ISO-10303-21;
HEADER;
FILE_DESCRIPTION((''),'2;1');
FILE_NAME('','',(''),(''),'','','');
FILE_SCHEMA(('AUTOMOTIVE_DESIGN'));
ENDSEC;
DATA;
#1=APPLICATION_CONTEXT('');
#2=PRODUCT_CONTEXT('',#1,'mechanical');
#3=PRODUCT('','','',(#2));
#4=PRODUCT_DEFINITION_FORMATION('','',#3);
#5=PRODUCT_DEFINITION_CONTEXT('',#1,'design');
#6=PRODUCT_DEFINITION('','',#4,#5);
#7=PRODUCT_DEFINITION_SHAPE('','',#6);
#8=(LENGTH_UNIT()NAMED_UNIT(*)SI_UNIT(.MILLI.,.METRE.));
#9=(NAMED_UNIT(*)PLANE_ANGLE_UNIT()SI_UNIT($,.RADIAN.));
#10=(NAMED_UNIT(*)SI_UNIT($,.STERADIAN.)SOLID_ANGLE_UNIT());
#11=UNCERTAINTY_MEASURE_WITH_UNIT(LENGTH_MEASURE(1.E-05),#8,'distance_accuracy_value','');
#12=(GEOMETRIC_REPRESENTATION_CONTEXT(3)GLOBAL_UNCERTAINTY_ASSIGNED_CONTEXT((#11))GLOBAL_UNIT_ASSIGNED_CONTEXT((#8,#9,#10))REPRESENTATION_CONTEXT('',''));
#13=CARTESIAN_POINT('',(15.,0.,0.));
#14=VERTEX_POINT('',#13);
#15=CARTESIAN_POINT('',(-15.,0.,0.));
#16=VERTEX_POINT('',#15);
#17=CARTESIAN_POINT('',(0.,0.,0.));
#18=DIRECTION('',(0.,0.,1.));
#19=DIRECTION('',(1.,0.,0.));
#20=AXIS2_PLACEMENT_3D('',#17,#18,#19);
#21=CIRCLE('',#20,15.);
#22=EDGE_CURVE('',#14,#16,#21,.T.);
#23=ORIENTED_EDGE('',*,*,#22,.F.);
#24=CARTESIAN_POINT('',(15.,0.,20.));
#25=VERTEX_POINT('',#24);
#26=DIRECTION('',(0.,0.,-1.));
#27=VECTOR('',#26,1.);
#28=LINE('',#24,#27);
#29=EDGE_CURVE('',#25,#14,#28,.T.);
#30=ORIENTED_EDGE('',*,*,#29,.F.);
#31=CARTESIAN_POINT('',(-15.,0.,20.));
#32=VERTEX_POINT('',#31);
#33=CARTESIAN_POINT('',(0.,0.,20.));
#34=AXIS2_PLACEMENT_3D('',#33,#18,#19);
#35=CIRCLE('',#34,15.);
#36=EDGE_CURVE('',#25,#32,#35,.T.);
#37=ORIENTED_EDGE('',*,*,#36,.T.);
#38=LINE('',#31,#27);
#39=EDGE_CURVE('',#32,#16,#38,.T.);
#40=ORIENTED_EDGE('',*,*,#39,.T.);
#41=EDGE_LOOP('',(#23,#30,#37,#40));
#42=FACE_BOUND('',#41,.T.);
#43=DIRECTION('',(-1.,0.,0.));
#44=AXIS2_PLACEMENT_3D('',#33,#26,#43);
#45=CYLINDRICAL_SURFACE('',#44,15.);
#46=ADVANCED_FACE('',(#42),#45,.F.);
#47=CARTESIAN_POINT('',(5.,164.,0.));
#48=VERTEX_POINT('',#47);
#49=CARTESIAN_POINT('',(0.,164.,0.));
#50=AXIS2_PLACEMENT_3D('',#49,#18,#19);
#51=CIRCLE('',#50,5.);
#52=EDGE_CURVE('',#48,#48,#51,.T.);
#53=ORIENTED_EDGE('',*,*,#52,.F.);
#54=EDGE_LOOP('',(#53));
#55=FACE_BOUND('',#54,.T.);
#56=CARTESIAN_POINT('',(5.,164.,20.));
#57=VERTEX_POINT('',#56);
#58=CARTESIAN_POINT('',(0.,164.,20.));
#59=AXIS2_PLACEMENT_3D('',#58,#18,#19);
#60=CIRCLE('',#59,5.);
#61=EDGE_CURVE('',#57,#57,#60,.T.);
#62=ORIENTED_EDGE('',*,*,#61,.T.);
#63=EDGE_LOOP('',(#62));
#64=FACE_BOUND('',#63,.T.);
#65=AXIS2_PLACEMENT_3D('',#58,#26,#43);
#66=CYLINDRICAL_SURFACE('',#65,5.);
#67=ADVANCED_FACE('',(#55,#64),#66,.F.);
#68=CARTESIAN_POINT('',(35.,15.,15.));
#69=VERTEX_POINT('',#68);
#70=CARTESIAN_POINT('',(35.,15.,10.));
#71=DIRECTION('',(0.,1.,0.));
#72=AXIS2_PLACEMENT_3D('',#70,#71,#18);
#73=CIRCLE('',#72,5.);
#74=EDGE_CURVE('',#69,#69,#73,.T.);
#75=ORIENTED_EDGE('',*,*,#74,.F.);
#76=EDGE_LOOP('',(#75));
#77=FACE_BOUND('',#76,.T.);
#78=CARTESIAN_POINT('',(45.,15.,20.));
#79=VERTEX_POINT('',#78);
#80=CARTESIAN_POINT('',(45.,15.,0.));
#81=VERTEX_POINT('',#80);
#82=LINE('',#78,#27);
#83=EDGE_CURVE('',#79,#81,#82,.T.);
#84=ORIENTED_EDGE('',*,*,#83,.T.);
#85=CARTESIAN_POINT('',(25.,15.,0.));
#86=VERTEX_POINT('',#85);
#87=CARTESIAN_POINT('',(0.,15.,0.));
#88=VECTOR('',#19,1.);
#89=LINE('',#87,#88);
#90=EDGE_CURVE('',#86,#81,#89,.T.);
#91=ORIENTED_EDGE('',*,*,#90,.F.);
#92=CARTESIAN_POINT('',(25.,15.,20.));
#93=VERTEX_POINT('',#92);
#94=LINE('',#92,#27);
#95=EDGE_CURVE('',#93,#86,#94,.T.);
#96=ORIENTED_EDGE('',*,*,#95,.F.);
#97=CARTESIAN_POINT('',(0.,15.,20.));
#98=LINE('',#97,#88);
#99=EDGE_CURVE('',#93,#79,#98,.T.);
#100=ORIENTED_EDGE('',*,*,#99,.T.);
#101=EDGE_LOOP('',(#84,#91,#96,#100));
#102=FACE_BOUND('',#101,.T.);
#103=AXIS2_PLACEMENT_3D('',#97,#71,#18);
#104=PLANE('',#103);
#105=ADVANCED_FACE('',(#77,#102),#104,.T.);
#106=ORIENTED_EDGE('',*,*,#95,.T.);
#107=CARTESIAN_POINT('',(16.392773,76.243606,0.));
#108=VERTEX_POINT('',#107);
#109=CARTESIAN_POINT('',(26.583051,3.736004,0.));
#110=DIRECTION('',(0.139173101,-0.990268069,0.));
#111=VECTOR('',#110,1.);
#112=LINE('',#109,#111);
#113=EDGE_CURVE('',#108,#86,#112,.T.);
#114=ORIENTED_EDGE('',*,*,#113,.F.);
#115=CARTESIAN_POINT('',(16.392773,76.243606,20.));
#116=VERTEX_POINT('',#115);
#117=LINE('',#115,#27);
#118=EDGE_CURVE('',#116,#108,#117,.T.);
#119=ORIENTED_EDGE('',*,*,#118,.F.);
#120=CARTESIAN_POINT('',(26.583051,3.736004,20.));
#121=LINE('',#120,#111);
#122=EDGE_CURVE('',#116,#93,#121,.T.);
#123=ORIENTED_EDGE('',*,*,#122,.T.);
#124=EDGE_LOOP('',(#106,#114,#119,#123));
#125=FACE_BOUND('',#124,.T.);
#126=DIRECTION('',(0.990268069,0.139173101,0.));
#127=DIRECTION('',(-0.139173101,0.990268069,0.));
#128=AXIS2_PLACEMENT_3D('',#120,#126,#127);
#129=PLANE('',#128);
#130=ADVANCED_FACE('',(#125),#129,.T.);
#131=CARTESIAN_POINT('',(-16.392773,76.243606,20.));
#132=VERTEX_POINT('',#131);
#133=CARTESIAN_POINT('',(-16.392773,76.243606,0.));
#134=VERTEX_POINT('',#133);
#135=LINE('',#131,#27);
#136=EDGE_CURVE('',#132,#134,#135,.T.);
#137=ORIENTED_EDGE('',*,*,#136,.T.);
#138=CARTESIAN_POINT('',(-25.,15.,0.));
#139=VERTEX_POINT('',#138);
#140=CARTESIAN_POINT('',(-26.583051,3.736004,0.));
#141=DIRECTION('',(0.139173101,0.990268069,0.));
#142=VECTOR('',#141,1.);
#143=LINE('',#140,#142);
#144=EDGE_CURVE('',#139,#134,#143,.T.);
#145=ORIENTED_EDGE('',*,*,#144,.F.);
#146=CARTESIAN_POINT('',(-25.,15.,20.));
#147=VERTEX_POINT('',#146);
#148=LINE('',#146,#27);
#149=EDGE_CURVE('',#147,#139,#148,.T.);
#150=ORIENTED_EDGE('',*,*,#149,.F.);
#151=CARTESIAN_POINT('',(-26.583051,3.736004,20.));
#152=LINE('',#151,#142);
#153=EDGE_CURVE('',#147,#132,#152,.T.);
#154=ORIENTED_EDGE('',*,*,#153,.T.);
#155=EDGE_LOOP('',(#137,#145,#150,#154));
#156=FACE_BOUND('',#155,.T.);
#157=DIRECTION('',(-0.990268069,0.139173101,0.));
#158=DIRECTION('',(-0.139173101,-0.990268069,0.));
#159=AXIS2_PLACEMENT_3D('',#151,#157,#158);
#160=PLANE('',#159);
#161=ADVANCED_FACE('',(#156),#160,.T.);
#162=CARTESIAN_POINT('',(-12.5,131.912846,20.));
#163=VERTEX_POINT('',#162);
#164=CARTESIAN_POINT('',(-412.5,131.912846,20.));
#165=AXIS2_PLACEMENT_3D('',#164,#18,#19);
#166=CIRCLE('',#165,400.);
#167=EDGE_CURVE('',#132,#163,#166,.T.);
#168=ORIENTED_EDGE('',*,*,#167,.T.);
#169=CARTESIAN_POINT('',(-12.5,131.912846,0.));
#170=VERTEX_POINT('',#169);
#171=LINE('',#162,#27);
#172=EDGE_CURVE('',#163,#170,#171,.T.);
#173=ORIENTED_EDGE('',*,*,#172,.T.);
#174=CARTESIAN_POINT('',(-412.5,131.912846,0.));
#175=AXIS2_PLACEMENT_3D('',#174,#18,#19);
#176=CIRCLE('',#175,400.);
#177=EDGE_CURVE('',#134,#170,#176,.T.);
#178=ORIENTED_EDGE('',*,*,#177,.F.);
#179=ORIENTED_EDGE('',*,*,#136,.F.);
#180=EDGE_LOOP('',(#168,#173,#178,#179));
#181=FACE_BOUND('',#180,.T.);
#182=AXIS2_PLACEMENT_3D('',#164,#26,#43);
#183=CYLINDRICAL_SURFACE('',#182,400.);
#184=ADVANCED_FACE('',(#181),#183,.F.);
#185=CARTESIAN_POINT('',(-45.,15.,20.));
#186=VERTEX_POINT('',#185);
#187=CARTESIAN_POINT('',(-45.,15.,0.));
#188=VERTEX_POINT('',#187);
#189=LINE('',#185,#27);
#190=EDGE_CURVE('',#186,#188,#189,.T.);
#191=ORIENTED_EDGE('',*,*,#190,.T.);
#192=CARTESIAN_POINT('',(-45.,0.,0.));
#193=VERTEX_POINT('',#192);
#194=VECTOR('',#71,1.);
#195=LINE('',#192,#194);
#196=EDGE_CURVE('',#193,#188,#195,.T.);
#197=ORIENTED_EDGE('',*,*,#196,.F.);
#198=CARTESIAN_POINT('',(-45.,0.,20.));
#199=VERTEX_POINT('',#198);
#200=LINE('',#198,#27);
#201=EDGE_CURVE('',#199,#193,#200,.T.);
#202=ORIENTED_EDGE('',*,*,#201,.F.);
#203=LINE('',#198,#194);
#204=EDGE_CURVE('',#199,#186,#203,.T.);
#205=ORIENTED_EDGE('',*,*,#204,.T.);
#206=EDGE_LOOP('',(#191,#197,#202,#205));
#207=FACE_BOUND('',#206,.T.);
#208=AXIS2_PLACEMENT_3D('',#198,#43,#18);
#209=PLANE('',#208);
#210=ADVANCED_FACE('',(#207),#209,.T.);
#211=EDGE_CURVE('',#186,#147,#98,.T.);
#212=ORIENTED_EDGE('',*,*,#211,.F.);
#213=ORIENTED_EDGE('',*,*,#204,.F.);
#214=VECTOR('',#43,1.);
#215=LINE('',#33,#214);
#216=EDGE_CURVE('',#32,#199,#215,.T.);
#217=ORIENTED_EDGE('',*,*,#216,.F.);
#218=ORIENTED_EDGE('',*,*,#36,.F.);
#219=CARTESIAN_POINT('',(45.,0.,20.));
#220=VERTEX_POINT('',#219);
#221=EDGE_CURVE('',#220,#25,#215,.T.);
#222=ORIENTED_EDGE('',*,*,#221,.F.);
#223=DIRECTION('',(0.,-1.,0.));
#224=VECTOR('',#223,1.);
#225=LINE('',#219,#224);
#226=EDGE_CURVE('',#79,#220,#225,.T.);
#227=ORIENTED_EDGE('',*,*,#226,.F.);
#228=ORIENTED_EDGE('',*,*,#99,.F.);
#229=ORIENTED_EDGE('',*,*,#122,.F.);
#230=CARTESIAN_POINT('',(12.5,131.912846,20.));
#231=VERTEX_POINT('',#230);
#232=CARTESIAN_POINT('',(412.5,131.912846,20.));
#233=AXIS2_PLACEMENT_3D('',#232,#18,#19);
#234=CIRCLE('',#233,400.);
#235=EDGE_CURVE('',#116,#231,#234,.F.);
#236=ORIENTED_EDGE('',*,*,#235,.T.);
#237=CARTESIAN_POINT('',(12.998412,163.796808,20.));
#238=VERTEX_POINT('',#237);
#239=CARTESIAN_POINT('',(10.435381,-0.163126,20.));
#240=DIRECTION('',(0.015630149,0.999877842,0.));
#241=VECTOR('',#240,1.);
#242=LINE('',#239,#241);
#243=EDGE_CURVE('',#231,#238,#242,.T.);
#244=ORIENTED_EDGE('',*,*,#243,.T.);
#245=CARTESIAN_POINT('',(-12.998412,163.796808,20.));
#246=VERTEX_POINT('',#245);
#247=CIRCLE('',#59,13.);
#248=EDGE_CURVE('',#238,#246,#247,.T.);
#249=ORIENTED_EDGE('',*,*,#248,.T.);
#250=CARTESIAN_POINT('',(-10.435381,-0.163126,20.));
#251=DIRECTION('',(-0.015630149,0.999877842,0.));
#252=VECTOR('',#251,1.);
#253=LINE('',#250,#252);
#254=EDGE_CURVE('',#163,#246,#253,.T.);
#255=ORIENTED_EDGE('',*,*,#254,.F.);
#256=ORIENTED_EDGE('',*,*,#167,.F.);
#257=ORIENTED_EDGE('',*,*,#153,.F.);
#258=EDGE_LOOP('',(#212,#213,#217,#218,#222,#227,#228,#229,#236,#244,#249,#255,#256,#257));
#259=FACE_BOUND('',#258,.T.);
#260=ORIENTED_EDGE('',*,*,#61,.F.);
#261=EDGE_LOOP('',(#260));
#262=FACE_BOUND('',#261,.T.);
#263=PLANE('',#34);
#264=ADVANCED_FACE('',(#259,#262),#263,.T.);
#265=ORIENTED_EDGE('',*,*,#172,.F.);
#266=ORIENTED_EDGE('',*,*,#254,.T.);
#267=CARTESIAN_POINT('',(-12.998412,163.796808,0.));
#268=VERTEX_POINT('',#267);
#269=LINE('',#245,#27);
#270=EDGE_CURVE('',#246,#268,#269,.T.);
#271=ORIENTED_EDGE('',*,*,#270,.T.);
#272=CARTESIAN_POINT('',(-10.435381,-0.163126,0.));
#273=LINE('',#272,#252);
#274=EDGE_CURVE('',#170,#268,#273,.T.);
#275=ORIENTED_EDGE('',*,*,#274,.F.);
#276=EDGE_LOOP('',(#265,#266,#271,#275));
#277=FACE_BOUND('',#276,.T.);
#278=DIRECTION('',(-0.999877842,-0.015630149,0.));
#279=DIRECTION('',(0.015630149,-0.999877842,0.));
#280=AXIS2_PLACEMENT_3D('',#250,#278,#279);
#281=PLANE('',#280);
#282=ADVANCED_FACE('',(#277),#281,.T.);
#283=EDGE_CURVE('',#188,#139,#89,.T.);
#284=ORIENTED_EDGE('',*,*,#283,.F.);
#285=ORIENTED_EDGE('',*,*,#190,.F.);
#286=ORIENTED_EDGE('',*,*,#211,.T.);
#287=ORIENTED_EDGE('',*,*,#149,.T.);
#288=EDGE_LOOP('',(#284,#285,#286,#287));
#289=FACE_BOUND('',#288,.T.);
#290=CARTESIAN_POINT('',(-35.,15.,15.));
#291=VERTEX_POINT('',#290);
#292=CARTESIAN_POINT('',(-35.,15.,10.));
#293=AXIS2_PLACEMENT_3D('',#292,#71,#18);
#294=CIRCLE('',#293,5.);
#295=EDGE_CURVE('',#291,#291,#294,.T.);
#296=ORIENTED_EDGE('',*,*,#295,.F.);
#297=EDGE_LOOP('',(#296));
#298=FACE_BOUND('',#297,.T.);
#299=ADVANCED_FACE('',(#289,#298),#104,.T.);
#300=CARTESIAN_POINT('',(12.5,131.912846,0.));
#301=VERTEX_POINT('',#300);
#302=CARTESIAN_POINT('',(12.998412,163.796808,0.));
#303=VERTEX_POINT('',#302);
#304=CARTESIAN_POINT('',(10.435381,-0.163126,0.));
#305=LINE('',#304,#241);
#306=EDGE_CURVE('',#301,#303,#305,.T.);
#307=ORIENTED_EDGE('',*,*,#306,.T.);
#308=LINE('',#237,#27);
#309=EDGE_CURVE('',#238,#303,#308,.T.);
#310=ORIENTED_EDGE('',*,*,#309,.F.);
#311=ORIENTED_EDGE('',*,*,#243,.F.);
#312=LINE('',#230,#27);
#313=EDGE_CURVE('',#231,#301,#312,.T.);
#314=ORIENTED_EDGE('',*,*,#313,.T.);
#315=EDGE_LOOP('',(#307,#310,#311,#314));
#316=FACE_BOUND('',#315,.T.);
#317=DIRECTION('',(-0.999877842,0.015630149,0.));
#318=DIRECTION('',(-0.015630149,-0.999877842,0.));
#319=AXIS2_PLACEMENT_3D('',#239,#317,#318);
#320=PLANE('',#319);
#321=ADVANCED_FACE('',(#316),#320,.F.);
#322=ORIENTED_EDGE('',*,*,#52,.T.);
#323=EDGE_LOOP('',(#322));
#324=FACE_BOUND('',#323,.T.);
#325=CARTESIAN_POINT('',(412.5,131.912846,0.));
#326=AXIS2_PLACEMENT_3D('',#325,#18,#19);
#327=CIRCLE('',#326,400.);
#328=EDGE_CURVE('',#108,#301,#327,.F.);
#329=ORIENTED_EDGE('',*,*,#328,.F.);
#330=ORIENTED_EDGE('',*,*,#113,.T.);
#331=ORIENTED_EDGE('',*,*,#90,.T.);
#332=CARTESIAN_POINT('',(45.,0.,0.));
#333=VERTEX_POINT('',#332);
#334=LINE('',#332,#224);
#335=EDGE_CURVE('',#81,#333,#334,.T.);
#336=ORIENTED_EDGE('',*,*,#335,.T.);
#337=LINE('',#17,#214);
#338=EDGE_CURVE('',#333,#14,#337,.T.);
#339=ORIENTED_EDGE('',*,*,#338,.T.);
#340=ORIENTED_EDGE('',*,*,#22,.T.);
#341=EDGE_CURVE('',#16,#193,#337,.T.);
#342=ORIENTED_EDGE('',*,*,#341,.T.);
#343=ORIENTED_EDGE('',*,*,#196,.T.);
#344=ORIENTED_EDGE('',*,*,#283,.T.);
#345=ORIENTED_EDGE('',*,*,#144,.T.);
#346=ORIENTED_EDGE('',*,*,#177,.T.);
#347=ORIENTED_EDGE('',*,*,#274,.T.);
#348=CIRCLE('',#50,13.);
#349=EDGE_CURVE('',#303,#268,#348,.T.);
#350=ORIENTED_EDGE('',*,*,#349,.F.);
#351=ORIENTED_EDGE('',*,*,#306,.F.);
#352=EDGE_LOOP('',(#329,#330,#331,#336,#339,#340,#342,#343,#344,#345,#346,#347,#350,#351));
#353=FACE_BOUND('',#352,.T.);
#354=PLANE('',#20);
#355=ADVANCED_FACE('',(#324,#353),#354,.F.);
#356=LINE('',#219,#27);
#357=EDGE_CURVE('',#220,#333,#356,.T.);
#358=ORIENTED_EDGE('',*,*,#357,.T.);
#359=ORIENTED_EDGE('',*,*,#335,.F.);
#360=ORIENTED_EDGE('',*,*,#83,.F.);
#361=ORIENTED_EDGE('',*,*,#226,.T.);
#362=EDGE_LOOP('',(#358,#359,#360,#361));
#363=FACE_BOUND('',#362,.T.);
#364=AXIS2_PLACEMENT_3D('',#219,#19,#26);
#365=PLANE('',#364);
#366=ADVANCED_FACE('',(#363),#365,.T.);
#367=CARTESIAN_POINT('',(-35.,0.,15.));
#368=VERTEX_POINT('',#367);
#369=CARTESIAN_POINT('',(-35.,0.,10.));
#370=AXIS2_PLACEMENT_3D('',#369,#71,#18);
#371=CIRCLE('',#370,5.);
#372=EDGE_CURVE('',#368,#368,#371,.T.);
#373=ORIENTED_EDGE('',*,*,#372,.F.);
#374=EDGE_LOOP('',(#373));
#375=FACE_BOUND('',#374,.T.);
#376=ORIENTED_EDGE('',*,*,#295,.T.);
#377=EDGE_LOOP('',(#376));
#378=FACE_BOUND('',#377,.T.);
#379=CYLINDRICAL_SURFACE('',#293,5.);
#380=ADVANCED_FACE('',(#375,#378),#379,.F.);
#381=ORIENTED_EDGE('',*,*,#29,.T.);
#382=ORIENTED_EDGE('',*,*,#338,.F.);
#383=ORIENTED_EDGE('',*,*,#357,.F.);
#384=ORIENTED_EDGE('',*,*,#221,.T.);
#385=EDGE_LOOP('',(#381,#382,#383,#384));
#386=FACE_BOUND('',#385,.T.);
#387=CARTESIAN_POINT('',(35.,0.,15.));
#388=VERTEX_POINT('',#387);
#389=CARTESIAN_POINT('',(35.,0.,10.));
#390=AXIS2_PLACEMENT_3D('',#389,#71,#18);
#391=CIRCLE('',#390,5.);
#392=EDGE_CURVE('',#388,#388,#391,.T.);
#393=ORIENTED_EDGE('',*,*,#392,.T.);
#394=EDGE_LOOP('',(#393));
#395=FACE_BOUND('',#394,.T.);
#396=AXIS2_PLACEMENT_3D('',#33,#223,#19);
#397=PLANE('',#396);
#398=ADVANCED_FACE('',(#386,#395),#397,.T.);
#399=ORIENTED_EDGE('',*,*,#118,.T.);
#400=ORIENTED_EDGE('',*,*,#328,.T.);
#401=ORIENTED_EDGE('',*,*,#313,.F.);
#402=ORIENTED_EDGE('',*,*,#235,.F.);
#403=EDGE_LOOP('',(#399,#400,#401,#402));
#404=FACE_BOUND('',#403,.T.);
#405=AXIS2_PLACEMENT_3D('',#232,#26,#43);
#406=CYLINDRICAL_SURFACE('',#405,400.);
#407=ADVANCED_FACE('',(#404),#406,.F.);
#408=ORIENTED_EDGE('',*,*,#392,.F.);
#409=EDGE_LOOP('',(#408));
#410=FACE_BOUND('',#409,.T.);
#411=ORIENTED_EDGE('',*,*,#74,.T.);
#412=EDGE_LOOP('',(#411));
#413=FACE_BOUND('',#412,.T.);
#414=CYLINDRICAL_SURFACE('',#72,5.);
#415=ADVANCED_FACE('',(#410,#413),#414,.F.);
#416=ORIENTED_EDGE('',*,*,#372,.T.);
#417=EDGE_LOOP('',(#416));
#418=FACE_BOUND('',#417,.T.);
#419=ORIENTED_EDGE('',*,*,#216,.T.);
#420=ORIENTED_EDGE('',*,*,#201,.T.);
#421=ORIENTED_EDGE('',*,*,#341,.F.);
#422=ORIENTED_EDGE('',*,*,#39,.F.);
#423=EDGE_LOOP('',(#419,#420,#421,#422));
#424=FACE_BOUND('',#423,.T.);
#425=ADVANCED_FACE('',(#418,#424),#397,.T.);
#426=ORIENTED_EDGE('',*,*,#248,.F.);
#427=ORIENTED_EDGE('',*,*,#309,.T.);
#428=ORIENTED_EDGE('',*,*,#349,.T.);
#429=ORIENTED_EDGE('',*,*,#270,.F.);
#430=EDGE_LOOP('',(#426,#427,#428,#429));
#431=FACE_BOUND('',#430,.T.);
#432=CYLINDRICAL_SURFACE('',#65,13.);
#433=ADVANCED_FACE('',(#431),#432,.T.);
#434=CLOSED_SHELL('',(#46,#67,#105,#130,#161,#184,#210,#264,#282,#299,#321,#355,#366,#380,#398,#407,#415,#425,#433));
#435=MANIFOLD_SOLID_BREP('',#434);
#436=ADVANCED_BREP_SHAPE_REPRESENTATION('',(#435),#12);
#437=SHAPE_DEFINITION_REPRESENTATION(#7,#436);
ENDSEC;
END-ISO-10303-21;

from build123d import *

# Parameters (mm, degrees)
SKETCH2_R             = 5
BOSS_EXTRUDE2_DEPTH   = 20
F_1_0MM_DOWEL_HOLE1_D = 10


with BuildPart() as part:
    # Sketch2 → Boss-Extrude2 (new body)
    with BuildSketch(Plane.XY):
        with BuildLine():
            Line((12.5, 131.912846307), (12.998411943, 163.796808069))
            ThreePointArc((12.998411943, 163.796808069), (0, 177), (-12.998411943, 163.796808069))
            Line((-12.998411943, 163.796808069), (-12.5, 131.912846307))
            ThreePointArc((-12.5, 131.912846307), (-13.474379896, 104.01025681), (-16.392772503, 76.243605923))
            Line((-16.392772503, 76.243605923), (-25, 15))
            Line((-25, 15), (-45, 15))
            Line((-45, 15), (-45, 0))
            Line((-45, 0), (-15, 0))
            ThreePointArc((-15, 0), (0, 15), (15, 0))
            Line((15, 0), (45, 0))
            Line((45, 0), (45, 15))
            Line((45, 15), (25, 15))
            Line((25, 15), (16.392772503, 76.243605923))
            ThreePointArc((16.392772503, 76.243605923), (13.474379896, 104.01025681), (12.5, 131.912846307))
        make_face()
        with Locations((0, 164)):
            Circle(SKETCH2_R, mode=Mode.SUBTRACT)
    extrude(amount=BOSS_EXTRUDE2_DEPTH)

    # Ø1.0mm Dowel Hole1 (through all)
    with Locations(Plane(origin=(0, 15, 0), x_dir=(1, 0, 0), z_dir=(0, 1, 0))):
        with Locations((-35, -10), (35, -10)):
            Hole(F_1_0MM_DOWEL_HOLE1_D / 2)


solid = part.part
